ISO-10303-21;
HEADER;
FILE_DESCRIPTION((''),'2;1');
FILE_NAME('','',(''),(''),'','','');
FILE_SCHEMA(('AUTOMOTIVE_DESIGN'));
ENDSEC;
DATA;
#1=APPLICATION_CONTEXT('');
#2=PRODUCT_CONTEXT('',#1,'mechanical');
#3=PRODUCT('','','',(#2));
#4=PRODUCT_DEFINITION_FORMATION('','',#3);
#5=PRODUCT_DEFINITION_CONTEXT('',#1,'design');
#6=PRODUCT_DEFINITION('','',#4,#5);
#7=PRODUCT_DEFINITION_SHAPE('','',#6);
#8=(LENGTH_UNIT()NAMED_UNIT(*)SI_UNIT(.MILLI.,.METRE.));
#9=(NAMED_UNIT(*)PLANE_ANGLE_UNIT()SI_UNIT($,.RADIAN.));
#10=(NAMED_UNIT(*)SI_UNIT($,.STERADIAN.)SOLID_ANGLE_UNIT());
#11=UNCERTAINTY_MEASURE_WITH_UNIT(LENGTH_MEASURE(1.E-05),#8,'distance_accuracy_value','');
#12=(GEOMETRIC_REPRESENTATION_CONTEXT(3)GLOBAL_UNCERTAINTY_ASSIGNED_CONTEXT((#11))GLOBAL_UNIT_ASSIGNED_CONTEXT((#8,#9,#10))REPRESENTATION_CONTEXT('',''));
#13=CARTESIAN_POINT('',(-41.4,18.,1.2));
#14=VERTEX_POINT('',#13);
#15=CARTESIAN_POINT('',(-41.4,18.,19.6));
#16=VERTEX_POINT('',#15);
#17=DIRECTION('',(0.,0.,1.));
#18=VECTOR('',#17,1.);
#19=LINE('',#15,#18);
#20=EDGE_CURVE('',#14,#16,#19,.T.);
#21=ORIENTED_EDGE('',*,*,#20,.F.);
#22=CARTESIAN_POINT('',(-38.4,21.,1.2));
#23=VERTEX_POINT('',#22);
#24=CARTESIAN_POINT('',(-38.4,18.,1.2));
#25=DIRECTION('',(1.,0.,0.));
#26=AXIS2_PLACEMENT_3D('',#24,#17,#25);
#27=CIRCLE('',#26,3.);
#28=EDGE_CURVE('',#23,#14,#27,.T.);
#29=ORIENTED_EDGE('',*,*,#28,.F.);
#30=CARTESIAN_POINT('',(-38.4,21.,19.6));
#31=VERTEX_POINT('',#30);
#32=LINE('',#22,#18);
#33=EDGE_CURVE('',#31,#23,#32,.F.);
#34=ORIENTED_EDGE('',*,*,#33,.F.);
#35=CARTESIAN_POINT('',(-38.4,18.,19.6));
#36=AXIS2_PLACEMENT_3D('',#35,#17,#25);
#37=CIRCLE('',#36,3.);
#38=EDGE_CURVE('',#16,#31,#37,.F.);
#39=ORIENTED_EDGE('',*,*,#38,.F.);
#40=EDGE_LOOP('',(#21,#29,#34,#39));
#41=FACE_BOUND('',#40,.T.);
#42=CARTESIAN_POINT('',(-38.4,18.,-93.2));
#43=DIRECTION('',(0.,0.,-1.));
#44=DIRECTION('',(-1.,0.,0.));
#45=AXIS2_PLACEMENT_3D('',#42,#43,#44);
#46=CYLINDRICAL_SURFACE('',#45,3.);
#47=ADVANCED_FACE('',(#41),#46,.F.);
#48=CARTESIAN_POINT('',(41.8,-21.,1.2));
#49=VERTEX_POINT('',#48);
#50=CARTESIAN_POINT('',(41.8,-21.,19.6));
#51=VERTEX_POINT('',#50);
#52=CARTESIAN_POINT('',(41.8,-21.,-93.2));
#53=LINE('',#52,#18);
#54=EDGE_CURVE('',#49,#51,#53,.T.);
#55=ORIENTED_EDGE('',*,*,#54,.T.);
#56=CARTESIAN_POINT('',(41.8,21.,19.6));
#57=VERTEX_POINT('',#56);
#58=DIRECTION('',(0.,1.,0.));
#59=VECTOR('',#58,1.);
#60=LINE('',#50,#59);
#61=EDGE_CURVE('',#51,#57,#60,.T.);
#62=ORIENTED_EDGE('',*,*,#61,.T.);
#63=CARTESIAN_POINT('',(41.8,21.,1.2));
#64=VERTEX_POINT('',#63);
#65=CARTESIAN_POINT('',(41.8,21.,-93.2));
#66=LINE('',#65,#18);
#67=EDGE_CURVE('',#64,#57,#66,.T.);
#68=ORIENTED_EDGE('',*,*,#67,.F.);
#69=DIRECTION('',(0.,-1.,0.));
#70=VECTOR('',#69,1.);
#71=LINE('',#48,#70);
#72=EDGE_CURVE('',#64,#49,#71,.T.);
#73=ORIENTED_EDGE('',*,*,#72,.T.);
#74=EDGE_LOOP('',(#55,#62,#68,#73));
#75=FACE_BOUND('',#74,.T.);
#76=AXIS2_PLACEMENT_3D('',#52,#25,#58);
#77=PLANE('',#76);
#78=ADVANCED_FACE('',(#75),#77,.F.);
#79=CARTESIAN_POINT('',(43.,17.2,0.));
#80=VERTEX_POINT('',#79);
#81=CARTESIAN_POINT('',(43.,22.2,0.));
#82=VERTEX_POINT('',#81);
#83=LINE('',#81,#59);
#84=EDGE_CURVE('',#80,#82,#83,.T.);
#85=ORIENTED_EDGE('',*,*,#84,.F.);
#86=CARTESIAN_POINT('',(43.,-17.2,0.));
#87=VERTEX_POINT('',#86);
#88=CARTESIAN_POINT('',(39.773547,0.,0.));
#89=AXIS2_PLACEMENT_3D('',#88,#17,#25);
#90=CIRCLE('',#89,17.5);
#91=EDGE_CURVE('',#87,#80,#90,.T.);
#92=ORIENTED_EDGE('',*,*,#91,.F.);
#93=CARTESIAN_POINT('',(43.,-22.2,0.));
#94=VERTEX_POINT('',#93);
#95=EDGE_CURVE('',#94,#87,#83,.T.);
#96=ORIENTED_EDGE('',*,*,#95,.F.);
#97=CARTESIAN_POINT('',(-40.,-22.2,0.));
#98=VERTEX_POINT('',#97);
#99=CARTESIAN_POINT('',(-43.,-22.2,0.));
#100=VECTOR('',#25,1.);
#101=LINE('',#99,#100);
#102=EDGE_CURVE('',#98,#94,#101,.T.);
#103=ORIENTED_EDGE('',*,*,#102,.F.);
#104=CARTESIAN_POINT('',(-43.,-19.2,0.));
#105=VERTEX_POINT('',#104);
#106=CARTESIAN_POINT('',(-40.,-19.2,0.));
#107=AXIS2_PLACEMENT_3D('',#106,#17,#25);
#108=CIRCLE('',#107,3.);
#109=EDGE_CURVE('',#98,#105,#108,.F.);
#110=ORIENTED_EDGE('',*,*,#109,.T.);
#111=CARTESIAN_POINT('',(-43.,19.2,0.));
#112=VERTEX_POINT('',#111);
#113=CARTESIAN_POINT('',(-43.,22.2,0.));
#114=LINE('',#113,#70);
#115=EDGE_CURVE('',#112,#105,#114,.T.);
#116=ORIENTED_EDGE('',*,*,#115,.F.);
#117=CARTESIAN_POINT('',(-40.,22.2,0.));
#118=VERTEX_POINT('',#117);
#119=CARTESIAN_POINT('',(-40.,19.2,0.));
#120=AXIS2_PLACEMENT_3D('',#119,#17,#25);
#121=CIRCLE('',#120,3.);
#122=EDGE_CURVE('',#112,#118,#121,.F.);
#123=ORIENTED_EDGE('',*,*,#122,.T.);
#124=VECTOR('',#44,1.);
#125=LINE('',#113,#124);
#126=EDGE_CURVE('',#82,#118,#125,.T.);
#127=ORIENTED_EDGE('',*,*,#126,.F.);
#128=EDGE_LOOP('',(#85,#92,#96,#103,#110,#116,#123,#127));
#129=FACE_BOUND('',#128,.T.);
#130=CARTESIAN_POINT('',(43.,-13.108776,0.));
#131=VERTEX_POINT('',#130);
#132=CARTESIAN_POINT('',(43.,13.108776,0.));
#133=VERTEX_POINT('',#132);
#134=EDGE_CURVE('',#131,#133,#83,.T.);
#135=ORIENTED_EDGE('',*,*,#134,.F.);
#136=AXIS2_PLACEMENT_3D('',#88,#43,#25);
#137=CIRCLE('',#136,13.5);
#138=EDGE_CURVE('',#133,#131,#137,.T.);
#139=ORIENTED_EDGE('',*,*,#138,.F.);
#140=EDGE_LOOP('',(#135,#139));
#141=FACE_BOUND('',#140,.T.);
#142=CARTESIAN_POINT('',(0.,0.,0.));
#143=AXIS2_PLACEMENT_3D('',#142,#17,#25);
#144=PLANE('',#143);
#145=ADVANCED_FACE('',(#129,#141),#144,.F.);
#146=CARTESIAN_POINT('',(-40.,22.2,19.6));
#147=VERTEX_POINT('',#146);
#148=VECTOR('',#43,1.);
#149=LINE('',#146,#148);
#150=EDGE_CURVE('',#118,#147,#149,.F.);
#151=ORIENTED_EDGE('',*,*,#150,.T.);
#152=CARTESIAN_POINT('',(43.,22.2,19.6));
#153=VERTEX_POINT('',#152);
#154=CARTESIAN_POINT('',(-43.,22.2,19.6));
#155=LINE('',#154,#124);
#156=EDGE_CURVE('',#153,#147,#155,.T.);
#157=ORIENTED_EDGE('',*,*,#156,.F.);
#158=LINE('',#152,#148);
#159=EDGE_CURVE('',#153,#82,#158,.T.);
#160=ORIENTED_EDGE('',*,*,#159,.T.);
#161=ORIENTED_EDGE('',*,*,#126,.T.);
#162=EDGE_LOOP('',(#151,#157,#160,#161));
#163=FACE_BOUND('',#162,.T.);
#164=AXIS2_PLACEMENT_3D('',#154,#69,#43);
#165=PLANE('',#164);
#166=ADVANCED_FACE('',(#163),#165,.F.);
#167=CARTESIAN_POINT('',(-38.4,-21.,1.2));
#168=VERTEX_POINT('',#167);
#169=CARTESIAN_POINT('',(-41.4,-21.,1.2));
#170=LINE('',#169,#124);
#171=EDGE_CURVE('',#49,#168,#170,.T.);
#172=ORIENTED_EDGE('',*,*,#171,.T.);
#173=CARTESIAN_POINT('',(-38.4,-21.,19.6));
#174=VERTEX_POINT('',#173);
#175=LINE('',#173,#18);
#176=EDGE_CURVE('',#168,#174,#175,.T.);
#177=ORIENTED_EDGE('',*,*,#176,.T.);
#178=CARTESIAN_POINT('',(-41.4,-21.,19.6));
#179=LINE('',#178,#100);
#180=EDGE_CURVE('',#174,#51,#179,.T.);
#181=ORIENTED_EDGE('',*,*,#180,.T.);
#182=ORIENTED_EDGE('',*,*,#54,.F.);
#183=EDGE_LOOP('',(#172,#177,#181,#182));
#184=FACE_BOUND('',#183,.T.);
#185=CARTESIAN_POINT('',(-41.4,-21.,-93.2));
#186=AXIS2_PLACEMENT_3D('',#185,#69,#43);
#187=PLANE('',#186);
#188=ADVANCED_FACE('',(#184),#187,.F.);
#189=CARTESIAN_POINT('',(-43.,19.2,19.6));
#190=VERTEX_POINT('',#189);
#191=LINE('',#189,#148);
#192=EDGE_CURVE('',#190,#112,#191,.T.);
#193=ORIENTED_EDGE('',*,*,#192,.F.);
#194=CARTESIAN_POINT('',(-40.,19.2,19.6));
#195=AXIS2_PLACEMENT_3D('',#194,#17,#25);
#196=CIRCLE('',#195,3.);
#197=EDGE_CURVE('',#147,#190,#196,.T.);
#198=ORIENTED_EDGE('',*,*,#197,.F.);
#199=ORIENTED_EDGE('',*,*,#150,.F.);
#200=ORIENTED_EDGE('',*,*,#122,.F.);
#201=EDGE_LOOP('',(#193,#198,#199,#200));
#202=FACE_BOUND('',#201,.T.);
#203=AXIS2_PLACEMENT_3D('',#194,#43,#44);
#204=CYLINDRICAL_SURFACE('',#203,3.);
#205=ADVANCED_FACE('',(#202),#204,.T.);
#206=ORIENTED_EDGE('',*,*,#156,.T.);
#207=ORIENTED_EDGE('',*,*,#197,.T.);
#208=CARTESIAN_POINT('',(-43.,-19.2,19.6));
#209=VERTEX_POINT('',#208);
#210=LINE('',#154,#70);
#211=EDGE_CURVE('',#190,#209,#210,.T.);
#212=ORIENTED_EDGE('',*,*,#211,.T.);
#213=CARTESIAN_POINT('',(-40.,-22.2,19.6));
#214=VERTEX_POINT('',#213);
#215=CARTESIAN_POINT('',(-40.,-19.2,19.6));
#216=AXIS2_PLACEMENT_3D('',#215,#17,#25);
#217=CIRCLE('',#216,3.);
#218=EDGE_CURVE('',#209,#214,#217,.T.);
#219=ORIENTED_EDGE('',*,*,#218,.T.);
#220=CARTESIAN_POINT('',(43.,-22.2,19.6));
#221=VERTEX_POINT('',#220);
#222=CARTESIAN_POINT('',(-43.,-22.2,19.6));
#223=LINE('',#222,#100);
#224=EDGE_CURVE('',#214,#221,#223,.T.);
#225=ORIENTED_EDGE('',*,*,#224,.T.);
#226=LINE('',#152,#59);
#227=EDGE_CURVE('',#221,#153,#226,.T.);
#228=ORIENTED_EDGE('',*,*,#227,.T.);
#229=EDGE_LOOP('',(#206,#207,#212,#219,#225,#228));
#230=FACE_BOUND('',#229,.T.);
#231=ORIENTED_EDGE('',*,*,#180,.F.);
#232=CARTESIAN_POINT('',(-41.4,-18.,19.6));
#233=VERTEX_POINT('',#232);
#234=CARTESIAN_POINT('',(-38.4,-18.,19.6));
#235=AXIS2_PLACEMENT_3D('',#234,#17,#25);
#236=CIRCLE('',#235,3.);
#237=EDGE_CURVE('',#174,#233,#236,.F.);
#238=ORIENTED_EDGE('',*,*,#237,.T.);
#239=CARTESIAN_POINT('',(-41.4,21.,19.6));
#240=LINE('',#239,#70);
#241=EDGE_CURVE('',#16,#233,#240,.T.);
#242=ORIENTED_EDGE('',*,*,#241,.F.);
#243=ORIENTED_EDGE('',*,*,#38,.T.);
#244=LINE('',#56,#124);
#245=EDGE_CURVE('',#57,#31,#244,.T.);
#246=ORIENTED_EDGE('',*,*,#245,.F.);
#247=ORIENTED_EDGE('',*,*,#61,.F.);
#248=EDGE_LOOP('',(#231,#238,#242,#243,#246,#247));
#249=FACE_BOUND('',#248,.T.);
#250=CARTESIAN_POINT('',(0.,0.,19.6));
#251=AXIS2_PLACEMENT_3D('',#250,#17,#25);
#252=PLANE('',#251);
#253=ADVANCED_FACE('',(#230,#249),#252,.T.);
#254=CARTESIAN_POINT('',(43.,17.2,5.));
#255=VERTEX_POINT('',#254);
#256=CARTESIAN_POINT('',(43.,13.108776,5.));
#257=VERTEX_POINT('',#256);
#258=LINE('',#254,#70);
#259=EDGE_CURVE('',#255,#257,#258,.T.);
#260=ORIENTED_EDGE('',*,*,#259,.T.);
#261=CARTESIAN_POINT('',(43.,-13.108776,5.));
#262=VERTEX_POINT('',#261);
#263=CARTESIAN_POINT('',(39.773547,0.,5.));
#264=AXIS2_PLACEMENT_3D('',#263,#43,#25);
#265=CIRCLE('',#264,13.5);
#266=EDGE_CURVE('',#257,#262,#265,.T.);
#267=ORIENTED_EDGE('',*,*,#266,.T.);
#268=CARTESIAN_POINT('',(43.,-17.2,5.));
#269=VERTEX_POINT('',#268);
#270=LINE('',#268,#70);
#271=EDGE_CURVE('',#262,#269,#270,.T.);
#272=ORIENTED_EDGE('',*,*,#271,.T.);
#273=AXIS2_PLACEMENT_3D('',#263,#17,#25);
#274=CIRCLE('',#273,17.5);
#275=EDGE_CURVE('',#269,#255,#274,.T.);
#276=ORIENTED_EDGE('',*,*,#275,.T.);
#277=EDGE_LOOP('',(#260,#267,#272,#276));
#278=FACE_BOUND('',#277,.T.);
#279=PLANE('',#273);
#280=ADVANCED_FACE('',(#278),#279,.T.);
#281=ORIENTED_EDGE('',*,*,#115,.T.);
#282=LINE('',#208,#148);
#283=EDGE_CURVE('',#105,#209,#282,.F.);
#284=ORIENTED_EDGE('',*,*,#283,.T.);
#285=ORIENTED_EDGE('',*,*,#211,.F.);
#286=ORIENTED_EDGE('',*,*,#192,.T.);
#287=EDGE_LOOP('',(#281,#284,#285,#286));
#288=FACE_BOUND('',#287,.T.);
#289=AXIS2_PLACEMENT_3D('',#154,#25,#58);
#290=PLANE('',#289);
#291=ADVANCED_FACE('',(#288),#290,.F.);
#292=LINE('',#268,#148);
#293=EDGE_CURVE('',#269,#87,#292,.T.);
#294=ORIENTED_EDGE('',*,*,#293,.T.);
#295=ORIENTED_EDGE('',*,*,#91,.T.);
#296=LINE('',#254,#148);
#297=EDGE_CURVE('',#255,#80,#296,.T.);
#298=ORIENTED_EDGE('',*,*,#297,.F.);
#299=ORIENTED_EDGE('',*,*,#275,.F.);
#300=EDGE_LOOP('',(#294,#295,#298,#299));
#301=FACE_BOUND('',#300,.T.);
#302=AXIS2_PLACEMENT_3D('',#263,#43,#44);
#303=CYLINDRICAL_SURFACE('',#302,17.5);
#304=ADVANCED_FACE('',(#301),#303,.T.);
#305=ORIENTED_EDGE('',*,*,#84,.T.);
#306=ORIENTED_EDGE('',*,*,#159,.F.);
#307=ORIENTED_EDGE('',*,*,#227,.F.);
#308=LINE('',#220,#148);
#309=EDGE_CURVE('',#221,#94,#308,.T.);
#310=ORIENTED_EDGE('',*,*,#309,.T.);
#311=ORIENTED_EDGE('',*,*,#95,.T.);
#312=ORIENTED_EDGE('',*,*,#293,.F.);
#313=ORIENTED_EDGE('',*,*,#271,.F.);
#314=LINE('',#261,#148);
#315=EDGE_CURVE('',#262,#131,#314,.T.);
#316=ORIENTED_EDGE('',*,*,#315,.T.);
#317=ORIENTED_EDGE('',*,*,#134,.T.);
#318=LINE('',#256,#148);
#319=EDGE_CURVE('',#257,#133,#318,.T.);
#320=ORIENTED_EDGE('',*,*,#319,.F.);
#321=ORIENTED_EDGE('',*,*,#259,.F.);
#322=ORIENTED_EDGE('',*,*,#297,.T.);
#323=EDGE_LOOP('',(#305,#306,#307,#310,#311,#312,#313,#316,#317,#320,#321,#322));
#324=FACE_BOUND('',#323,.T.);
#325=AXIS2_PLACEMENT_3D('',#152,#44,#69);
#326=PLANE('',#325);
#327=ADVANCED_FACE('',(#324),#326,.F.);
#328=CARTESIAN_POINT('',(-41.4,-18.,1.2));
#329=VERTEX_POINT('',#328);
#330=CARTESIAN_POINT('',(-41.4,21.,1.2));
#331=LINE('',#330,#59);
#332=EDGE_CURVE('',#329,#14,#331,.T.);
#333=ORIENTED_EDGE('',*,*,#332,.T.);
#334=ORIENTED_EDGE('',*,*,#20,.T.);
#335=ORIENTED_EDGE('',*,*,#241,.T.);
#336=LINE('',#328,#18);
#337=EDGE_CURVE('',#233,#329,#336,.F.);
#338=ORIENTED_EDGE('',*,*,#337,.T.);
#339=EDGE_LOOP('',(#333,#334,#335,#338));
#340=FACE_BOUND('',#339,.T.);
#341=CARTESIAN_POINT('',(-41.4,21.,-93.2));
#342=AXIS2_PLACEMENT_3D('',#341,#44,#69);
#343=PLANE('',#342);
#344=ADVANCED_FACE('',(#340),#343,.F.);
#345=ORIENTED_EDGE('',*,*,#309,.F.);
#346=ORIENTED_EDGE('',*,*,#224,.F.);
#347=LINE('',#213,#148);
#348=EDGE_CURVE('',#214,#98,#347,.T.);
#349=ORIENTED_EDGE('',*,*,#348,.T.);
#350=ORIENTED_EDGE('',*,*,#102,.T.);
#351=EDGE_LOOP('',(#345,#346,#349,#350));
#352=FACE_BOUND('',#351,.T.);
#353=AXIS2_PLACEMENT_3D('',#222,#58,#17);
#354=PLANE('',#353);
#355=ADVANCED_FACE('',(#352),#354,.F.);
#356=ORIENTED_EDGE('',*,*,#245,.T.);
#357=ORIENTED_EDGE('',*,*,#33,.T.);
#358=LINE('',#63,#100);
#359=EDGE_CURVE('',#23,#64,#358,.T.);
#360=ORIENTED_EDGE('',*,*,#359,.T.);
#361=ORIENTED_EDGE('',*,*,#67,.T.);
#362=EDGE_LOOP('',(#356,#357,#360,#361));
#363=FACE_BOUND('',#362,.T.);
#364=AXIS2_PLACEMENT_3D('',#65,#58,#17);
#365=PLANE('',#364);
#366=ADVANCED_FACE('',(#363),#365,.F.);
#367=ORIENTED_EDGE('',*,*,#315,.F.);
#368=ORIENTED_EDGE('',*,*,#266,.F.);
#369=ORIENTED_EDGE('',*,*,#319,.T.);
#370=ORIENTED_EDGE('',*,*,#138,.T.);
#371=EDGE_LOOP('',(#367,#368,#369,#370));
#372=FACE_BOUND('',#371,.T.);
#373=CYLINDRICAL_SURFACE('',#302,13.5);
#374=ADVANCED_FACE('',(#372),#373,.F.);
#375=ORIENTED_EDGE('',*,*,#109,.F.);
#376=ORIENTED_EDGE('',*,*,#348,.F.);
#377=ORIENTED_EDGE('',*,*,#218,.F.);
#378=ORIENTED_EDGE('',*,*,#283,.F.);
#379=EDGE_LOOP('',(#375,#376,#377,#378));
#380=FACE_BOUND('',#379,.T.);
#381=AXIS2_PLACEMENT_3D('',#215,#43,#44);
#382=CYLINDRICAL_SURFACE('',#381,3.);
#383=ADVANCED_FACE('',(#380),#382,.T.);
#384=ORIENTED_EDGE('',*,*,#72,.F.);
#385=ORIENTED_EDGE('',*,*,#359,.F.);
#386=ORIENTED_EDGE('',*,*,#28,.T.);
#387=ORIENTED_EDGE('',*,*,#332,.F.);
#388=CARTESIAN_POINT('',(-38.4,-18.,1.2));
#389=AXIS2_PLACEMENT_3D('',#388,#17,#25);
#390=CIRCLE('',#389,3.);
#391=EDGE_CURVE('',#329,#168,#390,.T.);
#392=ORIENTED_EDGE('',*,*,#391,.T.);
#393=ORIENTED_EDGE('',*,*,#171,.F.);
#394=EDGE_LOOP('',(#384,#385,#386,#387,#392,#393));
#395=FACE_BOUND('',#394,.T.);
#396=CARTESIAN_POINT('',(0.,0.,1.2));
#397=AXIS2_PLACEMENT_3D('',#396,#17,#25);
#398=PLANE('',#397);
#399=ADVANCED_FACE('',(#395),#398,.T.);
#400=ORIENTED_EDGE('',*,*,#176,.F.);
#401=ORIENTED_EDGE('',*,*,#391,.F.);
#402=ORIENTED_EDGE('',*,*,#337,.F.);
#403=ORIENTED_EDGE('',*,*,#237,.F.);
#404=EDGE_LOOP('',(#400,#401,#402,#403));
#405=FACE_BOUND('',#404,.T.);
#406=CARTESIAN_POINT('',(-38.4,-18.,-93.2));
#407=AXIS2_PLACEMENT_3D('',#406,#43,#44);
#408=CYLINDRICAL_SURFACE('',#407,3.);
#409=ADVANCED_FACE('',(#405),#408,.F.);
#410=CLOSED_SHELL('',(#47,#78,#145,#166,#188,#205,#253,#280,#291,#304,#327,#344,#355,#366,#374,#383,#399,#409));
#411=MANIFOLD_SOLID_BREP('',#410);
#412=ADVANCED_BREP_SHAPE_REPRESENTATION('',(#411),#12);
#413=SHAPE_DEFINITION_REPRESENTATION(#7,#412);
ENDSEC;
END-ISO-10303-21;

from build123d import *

# Parameters (mm, degrees)
SKETCH_1_W          = 86
SKETCH_1_H          = 44.4
EXTRUDE_1_DEPTH     = 19.6
EXTRUDE_2_DEPTH     = 5
SKETCH_3_W          = 83.2
SKETCH_3_H          = 42
CUT_EXTRUDE_1_DEPTH = 18.4
FILLET_1_R          = 3


with BuildPart() as part:
    # Эскиз1 → Бобышка-Вытянуть1 (new body)
    with BuildSketch(Plane.XY):
        Rectangle(SKETCH_1_W, SKETCH_1_H)
    extrude(amount=EXTRUDE_1_DEPTH)

    # Эскиз2 → Бобышка-Вытянуть2 (add)
    with BuildSketch(Plane.XY):
        with BuildLine():
            Line((43, 17.2), (43, 13.108775687))
            ThreePointArc((43, 13.108775687), (53.273546839, 0), (43, -13.108775687))
            Line((43, -13.108775687), (43, -17.2))
            ThreePointArc((43, -17.2), (57.273546839, 0), (43, 17.2))
        make_face()
    extrude(amount=EXTRUDE_2_DEPTH)

    # Эскиз3 → Вырез-Вытянуть1 (cut)
    with BuildSketch(Plane.XY.offset(19.6)):
        with Locations((0.2, 0)):
            Rectangle(SKETCH_3_W, SKETCH_3_H)
    extrude(amount=-CUT_EXTRUDE_1_DEPTH, mode=Mode.SUBTRACT)

    # Скругление1
    fillet_1_edges = [part.edges().sort_by_distance(p)[0] for p in [
        (-41.4, -21, 10.4),
        (-41.4, 21, 10.4),
        (-43, -22.2, 9.8),
        (-43, 22.2, 9.8),
    ]]
    fillet(fillet_1_edges, radius=FILLET_1_R)


solid = part.part
